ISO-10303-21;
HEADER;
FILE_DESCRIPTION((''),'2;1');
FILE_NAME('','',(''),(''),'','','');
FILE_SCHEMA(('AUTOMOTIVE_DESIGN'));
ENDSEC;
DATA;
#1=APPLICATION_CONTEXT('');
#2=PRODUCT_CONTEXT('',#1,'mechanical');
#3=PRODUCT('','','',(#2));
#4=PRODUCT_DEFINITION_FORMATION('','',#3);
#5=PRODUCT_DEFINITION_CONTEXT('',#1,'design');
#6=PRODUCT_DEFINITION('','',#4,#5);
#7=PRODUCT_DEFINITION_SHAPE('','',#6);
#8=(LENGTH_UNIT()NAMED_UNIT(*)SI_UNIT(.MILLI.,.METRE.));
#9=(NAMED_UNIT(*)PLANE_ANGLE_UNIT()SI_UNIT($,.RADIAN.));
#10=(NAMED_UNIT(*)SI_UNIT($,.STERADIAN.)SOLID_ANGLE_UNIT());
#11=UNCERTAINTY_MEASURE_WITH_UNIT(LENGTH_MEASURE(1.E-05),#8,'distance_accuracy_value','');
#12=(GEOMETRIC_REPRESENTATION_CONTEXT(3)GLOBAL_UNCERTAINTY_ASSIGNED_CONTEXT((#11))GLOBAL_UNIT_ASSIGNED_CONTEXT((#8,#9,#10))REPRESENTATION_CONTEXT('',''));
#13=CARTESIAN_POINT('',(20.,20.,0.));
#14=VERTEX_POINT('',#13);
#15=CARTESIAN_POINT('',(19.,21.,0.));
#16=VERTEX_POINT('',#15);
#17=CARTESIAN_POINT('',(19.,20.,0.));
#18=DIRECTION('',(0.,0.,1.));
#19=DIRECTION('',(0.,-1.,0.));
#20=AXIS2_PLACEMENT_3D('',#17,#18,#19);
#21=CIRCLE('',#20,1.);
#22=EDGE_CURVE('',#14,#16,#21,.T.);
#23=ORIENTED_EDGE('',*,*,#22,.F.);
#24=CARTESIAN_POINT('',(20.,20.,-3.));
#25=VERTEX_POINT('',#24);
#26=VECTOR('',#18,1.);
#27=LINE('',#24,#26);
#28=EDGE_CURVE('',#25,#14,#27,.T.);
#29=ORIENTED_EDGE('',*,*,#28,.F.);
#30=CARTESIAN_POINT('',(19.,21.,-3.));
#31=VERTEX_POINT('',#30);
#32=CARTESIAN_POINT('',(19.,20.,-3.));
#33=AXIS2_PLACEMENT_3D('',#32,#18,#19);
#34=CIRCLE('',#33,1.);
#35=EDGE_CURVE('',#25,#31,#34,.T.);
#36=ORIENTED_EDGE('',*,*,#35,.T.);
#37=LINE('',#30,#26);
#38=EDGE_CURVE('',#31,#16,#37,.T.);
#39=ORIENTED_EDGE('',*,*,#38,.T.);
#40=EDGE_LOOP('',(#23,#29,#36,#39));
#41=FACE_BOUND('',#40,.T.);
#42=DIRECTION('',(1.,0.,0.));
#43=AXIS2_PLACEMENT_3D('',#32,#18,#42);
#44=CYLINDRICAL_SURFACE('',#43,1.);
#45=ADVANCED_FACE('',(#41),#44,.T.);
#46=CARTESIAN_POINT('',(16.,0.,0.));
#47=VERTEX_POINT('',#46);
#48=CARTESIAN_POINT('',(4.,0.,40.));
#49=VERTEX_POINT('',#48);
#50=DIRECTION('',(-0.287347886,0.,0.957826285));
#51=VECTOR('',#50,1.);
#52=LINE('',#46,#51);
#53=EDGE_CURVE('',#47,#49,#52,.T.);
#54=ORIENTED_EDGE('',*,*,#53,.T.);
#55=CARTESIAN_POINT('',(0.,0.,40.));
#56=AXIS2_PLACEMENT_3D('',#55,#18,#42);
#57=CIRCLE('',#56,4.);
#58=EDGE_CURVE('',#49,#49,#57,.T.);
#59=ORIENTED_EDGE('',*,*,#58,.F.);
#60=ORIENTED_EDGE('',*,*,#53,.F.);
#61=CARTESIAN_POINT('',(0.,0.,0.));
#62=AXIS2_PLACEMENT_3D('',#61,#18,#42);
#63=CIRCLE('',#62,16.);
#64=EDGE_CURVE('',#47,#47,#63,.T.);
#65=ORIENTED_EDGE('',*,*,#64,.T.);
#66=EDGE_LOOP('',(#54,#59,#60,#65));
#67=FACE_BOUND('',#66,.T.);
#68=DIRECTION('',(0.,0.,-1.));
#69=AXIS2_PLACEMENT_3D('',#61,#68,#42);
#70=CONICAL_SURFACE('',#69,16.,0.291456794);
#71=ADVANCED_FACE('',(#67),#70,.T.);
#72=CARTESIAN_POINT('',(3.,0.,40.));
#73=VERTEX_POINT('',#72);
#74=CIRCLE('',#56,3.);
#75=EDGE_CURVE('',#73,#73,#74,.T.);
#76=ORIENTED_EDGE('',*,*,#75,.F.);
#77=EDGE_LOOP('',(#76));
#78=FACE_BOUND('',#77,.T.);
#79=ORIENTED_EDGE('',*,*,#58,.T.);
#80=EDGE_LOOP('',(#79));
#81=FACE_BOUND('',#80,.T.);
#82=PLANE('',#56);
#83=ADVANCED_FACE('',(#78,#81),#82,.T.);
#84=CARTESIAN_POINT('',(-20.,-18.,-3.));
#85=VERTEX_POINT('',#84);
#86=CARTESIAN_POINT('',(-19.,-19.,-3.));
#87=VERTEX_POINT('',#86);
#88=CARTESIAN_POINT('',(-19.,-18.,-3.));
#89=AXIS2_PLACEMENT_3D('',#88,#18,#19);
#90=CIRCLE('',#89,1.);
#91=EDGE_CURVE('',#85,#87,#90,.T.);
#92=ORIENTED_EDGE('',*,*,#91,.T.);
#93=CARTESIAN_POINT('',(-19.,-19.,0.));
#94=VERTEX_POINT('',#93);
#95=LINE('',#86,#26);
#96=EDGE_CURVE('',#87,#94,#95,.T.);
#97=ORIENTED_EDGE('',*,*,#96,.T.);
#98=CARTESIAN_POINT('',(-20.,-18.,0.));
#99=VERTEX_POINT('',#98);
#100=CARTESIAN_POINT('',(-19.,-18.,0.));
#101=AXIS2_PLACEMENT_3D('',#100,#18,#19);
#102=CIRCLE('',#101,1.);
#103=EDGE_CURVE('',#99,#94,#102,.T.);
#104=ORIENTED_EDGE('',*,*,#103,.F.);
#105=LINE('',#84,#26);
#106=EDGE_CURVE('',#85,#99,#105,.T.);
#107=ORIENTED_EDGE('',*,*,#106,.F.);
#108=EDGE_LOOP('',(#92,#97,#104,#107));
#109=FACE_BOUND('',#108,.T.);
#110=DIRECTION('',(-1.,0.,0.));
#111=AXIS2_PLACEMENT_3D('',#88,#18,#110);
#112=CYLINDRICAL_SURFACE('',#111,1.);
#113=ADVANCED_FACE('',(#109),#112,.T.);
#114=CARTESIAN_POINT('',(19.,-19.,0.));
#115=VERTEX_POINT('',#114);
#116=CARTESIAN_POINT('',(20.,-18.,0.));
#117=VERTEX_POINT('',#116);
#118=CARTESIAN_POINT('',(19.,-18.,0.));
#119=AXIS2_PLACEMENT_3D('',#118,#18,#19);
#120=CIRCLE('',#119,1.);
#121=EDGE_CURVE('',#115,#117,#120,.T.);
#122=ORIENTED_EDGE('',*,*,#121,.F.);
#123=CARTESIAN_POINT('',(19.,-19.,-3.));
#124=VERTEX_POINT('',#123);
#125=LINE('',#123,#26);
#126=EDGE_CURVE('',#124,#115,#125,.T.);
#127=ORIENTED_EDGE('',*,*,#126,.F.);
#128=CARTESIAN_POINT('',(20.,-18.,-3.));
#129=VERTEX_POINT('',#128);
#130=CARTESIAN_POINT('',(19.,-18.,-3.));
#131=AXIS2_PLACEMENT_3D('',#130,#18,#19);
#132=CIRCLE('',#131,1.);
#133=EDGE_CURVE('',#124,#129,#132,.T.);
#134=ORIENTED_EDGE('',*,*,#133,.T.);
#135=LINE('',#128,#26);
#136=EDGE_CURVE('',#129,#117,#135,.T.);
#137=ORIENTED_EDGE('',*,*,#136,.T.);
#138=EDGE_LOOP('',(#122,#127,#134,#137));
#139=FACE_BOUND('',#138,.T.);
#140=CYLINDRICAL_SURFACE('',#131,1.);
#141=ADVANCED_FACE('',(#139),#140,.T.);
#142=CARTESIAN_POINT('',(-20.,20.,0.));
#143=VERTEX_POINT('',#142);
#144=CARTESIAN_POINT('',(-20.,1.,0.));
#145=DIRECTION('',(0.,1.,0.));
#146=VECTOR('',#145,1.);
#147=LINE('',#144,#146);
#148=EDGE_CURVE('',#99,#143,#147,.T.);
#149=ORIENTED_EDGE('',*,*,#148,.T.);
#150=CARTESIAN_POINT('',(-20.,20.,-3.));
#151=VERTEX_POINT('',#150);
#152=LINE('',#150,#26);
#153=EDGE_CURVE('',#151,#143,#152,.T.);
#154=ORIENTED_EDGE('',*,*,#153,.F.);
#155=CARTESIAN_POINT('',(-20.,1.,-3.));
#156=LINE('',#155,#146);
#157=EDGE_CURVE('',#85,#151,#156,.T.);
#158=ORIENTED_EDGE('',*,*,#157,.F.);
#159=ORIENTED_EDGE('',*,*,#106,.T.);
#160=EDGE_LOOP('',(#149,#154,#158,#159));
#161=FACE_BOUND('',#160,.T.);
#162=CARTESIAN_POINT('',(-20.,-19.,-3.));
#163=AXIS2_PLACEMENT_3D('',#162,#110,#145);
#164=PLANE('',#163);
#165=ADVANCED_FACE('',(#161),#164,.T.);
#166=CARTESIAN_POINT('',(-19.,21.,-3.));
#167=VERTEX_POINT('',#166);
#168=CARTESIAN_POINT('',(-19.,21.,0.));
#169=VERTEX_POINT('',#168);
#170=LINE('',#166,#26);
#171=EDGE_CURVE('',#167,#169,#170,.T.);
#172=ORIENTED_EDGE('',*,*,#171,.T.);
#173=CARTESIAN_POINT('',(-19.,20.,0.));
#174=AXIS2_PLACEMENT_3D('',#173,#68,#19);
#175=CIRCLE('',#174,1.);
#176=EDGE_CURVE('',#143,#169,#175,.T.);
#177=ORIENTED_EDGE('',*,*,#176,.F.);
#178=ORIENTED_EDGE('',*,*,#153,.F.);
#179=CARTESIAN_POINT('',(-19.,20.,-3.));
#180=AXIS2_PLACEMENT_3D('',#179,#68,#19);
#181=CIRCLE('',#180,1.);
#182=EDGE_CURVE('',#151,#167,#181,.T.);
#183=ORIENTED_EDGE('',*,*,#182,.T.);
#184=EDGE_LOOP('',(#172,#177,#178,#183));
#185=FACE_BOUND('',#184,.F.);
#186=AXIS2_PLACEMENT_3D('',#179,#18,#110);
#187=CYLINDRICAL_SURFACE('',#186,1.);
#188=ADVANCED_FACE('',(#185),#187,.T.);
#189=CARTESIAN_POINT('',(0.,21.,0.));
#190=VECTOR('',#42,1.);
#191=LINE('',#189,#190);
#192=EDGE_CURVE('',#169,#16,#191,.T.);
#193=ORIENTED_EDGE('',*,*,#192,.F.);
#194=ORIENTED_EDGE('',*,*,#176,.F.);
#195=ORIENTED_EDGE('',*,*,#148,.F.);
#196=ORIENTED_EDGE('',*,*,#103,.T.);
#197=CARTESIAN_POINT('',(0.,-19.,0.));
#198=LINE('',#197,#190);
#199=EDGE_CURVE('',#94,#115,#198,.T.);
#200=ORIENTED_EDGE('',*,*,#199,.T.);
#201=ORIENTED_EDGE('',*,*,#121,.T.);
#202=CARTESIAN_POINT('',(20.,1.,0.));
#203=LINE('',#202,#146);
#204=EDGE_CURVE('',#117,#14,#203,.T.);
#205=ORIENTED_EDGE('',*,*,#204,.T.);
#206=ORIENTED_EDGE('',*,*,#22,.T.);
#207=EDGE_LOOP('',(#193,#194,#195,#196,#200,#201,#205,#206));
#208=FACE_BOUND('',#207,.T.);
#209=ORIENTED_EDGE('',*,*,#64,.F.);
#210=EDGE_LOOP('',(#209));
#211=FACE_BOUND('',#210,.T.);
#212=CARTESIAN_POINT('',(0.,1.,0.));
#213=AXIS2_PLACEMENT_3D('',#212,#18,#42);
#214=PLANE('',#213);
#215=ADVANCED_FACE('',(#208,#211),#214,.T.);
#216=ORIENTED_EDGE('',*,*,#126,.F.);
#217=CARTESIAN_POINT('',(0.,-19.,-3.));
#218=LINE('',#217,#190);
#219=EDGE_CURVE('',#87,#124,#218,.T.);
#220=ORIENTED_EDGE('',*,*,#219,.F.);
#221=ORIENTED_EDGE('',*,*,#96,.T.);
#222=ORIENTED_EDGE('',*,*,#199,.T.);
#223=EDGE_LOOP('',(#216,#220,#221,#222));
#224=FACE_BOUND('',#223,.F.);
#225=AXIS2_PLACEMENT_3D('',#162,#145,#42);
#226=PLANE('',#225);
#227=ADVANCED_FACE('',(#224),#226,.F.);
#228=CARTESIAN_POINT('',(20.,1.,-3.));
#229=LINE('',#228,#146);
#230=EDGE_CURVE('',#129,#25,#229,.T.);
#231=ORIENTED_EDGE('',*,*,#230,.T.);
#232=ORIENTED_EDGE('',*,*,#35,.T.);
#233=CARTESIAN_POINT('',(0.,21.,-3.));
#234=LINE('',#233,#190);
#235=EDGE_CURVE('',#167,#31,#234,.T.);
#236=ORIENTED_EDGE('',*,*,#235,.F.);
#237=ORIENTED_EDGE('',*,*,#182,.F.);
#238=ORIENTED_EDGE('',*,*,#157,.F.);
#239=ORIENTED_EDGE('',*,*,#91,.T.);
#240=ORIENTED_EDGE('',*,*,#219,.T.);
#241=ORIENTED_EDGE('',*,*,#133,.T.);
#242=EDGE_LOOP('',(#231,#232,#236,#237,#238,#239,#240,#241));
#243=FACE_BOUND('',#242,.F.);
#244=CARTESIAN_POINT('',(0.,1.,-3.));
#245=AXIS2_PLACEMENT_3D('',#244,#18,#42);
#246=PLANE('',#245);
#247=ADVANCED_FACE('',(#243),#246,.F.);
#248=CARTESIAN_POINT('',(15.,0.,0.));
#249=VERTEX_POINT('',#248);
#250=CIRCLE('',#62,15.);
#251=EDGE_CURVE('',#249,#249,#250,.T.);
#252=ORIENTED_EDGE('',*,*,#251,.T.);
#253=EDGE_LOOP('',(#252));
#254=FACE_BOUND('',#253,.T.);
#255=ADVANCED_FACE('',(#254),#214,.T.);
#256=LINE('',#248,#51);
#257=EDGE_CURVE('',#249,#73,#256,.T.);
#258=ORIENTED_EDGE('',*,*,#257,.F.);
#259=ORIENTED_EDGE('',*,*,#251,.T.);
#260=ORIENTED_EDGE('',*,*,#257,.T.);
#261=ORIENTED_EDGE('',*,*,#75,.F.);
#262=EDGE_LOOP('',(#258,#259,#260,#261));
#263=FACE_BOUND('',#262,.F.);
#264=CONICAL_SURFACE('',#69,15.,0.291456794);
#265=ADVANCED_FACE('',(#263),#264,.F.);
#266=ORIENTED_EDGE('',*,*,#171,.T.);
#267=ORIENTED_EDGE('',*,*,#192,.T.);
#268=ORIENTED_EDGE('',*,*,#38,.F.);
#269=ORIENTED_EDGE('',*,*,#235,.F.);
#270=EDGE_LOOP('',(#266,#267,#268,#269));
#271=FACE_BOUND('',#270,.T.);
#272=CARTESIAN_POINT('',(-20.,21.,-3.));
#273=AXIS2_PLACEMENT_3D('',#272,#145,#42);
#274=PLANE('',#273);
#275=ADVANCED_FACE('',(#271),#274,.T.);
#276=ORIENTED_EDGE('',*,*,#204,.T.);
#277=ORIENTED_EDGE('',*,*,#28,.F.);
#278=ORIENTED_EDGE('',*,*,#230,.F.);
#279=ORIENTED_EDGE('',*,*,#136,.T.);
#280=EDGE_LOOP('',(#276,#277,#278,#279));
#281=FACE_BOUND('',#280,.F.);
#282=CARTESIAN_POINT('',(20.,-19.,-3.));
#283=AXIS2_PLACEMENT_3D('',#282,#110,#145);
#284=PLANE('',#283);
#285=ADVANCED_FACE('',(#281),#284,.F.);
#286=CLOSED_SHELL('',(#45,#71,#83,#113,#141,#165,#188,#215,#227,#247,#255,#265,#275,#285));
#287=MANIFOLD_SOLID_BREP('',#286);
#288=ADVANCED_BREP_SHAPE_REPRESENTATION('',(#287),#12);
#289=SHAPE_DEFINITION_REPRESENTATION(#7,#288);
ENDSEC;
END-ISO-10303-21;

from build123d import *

# Parameters (mm, degrees)
BOX_W     = 40
BOX_H     = 40
BOX_DEPTH = 3
FILLET_R  = 1


with BuildPart() as fillet_body:
    # Box → Box (new body)
    with BuildSketch(Plane.XY.offset(-3)):
        with Locations((20, 20)):
            Rectangle(BOX_W, BOX_H)
    extrude(amount=BOX_DEPTH)

    # Fillet
    fillet_edges = [fillet_body.edges().sort_by_distance(p)[0] for p in [
        (0, 0, -1.5),
        (0, 40, -1.5),
        (40, 0, -1.5),
        (40, 40, -1.5),
    ]]
    fillet(fillet_edges, radius=FILLET_R)


with BuildPart() as fillet_body_1:
    # Fillet placement: moved
    add(fillet_body.part.moved(Location((-20, -19, 0))))


with BuildPart() as cone001:
    # Cone001 → Cone001 (revolve)
    with BuildSketch(Plane.XZ):
        Polygon((0, 0), (15, 0), (3, 40), (0, 40), align=None)
    revolve(axis=Axis((0, 0, 0), (0, 0, 1)))


with BuildPart() as fusion:
    # Cone → Cone (revolve)
    with BuildSketch(Plane.XZ):
        Polygon((0, 0), (16, 0), (4, 40), (0, 40), align=None)
    revolve(axis=Axis((0, 0, 0), (0, 0, 1)))

    # Cut: cut Cone001
    add(cone001.part, mode=Mode.SUBTRACT)

    # Fusion: union Fillet body
    add(fillet_body_1.part)


solid = fusion.part
